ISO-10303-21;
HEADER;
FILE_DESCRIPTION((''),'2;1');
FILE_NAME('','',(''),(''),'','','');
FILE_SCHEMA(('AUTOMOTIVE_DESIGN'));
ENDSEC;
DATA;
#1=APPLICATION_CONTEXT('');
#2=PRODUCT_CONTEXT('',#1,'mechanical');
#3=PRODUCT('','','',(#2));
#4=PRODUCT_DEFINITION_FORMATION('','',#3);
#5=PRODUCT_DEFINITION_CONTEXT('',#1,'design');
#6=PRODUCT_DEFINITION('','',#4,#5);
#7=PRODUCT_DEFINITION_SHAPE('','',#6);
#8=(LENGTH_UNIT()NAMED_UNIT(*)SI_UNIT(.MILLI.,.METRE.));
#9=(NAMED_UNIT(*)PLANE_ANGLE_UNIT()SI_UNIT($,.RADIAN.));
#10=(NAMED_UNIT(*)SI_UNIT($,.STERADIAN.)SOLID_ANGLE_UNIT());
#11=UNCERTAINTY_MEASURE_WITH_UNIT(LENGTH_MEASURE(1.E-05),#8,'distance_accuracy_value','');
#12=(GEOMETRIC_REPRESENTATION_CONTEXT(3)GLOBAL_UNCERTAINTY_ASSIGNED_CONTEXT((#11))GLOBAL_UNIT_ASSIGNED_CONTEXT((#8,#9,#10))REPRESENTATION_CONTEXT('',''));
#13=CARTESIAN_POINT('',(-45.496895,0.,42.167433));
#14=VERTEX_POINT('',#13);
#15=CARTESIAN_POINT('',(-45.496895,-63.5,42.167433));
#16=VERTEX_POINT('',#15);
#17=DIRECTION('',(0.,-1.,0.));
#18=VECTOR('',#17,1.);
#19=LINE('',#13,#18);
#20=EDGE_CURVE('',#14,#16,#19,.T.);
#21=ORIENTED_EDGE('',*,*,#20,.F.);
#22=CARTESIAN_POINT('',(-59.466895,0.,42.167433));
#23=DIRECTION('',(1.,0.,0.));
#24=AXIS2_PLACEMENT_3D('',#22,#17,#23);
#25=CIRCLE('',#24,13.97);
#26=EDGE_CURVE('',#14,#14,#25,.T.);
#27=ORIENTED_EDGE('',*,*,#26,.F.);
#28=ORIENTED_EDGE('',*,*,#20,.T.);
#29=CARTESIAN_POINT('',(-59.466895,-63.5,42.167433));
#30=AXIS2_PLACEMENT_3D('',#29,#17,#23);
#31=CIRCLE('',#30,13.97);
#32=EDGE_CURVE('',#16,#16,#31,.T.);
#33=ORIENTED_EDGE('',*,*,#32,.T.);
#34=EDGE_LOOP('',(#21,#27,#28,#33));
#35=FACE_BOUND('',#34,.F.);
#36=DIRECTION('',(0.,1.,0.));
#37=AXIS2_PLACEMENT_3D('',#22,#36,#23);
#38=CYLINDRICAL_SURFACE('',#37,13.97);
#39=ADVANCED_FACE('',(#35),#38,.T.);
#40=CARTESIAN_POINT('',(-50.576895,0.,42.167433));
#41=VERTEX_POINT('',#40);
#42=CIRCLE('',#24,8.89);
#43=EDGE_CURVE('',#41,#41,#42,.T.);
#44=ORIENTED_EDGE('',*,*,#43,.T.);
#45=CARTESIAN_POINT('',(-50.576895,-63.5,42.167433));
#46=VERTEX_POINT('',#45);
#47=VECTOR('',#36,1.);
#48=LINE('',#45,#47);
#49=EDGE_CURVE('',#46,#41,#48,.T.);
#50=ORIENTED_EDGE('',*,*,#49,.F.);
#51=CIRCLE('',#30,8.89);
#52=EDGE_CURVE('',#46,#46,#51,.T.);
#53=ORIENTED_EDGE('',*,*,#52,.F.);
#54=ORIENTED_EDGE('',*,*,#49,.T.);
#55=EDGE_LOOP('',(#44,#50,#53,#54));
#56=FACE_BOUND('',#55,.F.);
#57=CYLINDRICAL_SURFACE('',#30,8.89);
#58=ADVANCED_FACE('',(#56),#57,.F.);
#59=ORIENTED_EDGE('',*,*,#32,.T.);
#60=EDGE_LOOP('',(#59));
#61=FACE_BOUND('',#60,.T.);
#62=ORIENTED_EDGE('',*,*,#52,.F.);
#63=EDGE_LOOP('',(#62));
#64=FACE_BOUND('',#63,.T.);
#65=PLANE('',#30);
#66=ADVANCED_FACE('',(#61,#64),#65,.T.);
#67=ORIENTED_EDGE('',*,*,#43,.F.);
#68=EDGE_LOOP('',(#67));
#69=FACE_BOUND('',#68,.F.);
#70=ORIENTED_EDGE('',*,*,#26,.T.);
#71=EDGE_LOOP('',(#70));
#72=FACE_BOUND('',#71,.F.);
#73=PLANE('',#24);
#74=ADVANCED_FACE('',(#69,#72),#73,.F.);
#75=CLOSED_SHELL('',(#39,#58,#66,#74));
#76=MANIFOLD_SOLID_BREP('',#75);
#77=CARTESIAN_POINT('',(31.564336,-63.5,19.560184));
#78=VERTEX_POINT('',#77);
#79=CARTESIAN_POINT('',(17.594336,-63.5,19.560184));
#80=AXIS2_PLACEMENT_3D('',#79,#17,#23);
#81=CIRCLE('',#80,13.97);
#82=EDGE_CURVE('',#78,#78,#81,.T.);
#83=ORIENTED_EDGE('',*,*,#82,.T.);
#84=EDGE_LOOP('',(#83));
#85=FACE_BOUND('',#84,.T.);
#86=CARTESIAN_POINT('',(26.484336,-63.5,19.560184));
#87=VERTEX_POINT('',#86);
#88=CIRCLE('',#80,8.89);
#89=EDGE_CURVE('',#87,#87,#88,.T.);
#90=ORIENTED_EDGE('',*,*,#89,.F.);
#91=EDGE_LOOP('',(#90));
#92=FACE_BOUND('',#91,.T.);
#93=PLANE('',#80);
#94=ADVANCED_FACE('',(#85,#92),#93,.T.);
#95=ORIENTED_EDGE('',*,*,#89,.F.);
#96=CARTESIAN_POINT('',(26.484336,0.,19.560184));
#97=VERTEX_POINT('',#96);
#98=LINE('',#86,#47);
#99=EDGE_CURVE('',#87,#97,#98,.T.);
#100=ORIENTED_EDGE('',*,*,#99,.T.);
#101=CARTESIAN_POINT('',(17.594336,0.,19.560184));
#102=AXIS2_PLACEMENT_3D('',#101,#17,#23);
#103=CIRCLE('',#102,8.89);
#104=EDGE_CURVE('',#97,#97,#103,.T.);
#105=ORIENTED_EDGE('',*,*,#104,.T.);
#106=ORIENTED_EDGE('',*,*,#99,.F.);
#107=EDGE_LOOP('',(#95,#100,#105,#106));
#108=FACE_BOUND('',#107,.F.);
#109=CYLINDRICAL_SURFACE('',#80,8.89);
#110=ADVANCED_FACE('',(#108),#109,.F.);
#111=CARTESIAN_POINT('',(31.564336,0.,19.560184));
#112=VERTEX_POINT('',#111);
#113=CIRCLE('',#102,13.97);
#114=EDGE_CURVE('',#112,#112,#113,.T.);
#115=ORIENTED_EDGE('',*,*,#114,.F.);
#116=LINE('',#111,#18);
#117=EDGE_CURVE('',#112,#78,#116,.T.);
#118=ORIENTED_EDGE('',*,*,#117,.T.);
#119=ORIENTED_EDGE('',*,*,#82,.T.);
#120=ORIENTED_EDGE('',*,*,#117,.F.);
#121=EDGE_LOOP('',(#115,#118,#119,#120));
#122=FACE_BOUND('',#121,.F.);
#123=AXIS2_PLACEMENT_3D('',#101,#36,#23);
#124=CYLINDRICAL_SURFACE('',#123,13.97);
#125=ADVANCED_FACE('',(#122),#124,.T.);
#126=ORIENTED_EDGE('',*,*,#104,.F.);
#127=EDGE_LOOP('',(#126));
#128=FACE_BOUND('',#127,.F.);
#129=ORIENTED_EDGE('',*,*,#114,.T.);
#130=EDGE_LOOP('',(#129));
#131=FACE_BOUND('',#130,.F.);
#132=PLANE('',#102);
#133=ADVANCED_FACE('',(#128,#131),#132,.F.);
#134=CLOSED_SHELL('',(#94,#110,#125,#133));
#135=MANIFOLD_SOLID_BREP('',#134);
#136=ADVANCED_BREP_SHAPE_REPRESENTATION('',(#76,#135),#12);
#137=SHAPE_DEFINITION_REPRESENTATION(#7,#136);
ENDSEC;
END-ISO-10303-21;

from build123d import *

# Parameters (mm, degrees)
F0_R     = 13.97
F1_DEPTH = 63.5
F2_R     = 8.89
F3_DEPTH = 63.5
F4_R     = 8.89
F5_DEPTH = 63.5


with BuildPart() as f1:
    # F0 (on Front) → F1 (new body)
    with BuildSketch(Plane.XZ):
        with Locations((-59.466895, 42.167433)):
            Circle(F0_R)
        with Locations((17.594336, 19.560184)):
            Circle(F0_R)
    extrude(amount=F1_DEPTH)

    # F2 (on face) → F3 (cut)
    with BuildSketch(Plane.XZ.offset(63.5)):
        with Locations((-59.466895, 42.167433)):
            Circle(F2_R)
    extrude(amount=-F3_DEPTH, mode=Mode.SUBTRACT)

    # F4 (on face) → F5 (cut)
    with BuildSketch(Plane.XZ.offset(63.5)):
        with Locations((17.594336, 19.560184)):
            Circle(F4_R)
    extrude(amount=-F5_DEPTH, mode=Mode.SUBTRACT)


solid = f1.part
